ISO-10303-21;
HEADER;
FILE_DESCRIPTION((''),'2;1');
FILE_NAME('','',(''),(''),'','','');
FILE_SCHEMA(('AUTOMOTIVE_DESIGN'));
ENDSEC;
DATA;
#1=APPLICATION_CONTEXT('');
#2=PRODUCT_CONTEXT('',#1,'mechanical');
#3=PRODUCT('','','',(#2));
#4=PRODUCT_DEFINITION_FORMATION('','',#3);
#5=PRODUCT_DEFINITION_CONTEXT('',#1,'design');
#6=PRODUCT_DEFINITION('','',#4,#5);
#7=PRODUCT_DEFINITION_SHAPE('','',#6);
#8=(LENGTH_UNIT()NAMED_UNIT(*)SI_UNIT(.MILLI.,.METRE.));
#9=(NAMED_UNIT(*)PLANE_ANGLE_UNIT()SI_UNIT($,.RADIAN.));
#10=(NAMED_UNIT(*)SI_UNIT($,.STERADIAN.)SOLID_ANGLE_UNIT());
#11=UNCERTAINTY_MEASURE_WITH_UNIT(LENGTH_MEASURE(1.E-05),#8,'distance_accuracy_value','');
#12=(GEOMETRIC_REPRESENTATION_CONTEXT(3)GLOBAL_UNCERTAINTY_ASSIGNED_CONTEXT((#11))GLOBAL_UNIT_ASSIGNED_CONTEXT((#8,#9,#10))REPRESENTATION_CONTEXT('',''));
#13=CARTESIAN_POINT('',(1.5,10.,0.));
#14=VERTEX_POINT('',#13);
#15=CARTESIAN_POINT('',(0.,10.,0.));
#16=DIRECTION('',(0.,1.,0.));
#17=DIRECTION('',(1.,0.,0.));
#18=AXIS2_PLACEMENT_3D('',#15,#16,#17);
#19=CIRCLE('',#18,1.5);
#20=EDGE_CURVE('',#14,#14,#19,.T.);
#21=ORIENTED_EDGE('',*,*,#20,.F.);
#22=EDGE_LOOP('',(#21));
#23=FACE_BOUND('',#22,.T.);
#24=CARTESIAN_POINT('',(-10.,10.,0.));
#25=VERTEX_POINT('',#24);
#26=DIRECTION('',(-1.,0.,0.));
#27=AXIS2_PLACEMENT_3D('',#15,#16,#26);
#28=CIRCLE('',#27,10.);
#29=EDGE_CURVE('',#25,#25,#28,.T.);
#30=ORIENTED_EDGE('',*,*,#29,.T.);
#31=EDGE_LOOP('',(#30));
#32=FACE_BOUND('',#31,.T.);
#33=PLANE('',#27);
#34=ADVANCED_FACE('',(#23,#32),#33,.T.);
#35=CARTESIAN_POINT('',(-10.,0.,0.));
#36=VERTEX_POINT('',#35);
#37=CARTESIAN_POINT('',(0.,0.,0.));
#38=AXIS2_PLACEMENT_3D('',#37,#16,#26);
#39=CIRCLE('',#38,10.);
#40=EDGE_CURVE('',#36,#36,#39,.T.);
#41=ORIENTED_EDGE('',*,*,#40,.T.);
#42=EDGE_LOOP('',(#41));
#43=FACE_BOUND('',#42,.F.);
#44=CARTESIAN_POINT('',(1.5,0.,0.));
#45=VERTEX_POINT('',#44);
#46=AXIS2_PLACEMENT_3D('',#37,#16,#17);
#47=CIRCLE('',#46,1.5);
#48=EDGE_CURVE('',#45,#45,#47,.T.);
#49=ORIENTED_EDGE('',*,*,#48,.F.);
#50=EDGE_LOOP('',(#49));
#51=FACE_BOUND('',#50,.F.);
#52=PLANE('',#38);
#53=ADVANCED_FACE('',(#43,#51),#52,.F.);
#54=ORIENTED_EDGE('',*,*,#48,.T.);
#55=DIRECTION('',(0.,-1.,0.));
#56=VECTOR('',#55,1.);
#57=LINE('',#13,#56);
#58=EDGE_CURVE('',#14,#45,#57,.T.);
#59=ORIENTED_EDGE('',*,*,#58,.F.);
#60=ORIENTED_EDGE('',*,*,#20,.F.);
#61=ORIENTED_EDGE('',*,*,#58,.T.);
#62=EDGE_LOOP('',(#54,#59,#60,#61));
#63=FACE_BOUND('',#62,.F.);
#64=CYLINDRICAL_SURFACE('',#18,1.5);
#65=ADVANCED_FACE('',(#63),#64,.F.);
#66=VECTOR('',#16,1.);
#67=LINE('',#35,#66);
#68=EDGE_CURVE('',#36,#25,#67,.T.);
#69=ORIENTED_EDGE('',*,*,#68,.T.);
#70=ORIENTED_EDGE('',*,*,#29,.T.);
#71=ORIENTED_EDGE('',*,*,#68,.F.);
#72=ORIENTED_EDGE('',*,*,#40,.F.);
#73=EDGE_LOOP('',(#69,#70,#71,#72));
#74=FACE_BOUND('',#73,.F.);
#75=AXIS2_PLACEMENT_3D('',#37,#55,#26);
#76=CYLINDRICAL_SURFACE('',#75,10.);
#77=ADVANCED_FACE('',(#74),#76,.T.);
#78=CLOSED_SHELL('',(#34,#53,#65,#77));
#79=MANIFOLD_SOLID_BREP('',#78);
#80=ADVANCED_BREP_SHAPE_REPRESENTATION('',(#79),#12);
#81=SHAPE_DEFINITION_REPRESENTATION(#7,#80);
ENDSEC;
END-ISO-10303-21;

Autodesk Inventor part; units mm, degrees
ref_plane "YZ Plane" through (0, 0, 0) normal (1, 0, 0) x (0, 1, 0)
ref_plane "XZ Plane" through (0, 0, 0) normal (0, 1, 0) x (-1, 0, 0)
ref_plane "XY Plane" through (0, 0, 0) normal (0, 0, 1) x (1, 0, 0)
sketch "Szkic1" plane through (0, 0, 0) normal (0, 1, 0) x (-1, 0, 0)
  circle A0 centre (0, 0) radius 10
  dimension "d0" = 20
extrude "Wyciągnięcie proste1" add sketch "Szkic1" along normal blind 10
sketch "Szkic2" plane through (0, 10, 0) normal (0, 1, 0) x (1, 0, 0)
  circle A0 centre (0, 0) radius 1.5
  dimension "d3" = 3
extrude "Wyciągnięcie proste2" cut sketch "Szkic2" against normal blind 10
properties part number "kolko"
